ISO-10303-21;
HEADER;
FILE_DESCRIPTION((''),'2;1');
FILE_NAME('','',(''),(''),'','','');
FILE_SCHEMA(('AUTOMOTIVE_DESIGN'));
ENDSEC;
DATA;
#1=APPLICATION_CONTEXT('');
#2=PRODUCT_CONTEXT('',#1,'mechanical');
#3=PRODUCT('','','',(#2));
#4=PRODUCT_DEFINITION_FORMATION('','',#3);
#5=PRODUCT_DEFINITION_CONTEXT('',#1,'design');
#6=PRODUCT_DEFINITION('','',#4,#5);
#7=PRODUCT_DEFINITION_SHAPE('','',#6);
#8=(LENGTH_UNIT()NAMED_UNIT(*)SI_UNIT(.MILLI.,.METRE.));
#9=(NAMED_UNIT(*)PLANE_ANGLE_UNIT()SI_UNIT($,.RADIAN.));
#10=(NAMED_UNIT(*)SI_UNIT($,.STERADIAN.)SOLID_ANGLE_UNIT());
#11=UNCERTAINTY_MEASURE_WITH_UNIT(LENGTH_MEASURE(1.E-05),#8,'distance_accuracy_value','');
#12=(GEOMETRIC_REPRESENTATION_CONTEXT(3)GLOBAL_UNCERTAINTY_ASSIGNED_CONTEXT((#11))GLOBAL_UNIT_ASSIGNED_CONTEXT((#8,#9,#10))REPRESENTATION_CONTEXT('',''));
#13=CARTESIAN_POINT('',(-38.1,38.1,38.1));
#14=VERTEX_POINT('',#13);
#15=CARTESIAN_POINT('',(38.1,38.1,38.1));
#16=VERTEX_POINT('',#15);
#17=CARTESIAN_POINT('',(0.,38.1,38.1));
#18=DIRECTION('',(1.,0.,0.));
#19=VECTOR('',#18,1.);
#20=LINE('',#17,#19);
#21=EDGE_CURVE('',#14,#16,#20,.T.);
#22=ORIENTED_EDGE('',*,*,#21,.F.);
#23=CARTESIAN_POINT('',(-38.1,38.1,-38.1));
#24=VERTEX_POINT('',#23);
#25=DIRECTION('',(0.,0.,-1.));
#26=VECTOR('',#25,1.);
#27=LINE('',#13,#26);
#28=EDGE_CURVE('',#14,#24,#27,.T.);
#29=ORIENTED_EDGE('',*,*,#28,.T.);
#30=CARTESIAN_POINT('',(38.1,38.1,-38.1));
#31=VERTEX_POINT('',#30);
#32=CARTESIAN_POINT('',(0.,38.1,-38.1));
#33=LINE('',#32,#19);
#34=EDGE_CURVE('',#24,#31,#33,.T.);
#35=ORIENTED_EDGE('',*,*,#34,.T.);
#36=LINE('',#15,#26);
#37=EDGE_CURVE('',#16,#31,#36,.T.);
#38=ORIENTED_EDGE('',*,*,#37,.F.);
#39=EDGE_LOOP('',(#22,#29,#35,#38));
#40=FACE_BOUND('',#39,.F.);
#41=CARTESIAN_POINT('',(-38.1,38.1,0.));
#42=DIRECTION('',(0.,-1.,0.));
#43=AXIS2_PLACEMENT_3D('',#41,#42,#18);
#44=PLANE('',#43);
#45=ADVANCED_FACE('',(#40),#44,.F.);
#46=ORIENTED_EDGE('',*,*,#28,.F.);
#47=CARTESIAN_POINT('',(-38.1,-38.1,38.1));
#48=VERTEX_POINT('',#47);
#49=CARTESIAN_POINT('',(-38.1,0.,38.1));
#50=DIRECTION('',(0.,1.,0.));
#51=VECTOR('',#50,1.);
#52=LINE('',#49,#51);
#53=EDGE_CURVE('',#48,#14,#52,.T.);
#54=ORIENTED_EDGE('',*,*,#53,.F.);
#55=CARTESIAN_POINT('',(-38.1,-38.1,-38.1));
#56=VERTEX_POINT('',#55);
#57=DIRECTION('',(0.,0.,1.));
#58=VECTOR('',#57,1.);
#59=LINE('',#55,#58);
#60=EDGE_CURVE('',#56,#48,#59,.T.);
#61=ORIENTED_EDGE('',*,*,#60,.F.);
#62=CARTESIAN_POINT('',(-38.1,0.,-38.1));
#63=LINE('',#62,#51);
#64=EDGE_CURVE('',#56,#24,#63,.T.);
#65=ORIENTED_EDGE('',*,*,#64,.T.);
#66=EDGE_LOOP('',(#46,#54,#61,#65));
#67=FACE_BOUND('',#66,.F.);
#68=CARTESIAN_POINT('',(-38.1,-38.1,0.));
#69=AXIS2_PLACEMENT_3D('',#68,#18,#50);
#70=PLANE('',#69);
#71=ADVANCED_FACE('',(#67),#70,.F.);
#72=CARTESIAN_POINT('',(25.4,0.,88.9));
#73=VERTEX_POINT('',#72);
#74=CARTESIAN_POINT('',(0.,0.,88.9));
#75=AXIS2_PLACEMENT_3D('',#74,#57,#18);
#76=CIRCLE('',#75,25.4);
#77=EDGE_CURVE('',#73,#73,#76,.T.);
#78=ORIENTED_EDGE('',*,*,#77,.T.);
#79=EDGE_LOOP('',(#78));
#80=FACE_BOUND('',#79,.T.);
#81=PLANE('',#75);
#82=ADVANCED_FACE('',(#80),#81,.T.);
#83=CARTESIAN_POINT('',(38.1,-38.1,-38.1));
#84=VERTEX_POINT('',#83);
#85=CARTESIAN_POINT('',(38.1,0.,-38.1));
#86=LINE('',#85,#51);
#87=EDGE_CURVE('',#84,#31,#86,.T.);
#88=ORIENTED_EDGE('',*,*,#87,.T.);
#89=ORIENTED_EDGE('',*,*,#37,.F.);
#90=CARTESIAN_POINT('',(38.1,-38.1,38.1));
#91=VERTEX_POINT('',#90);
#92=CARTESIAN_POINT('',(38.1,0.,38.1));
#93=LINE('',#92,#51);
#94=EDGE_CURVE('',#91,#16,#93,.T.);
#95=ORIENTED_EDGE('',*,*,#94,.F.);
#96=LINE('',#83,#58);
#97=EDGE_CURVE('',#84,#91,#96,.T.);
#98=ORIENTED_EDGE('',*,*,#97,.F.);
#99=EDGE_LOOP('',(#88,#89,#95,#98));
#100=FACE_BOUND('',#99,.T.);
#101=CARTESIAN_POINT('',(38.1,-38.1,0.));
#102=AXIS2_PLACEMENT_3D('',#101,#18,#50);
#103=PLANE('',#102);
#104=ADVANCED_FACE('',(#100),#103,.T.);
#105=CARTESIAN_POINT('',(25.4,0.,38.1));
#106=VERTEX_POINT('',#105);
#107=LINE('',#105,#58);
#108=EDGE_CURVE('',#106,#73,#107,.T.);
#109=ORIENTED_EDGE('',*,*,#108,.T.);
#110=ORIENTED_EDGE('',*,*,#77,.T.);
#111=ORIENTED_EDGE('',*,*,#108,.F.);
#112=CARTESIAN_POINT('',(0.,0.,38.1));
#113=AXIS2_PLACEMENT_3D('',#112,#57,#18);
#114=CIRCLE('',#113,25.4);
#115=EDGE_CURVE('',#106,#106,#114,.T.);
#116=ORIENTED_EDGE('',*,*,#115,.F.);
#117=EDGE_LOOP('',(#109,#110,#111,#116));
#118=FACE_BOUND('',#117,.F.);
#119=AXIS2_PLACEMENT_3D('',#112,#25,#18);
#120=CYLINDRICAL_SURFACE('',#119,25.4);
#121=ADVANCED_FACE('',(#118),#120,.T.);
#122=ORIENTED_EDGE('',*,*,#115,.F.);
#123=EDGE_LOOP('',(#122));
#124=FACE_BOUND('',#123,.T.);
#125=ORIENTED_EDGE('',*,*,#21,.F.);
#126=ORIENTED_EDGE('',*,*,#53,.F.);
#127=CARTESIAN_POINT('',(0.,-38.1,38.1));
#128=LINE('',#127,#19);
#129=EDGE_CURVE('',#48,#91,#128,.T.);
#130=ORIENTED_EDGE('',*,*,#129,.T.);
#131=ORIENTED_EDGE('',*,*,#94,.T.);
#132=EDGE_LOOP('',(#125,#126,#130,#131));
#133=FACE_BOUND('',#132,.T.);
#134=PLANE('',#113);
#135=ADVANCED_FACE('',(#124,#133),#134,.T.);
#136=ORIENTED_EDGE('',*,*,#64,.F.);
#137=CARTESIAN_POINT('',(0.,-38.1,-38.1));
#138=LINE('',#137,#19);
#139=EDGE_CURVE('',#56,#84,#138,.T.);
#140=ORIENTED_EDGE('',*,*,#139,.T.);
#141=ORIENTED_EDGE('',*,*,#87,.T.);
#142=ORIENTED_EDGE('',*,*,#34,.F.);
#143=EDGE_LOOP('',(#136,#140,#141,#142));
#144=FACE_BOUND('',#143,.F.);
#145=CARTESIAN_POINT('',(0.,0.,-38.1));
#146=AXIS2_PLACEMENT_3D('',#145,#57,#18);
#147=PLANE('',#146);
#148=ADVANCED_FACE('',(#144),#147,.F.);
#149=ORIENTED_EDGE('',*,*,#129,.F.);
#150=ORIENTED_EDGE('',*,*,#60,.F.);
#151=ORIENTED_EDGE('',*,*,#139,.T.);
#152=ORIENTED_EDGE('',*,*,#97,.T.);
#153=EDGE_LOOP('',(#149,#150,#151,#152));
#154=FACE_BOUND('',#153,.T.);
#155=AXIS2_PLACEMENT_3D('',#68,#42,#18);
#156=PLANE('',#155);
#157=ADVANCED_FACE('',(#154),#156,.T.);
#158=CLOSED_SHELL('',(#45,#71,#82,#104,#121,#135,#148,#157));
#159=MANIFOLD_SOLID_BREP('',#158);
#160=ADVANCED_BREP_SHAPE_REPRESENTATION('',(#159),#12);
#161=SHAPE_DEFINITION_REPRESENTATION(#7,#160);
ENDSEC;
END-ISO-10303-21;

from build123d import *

# Parameters (mm, degrees)
F0_W     = 76.2
F0_H     = 76.2
F1_DEPTH = 38.1
F2_R     = 25.4
F3_DEPTH = 50.8


with BuildPart() as f1:
    # F0 (on Top) → F1 (new body, symmetric)
    with BuildSketch(Plane.XY):
        Rectangle(F0_W, F0_H)
    extrude(amount=F1_DEPTH, both=True)

    # F2 (on face) → F3 (join)
    with BuildSketch(Plane.XY.offset(38.1)):
        Circle(F2_R)
    extrude(amount=F3_DEPTH)


solid = f1.part
